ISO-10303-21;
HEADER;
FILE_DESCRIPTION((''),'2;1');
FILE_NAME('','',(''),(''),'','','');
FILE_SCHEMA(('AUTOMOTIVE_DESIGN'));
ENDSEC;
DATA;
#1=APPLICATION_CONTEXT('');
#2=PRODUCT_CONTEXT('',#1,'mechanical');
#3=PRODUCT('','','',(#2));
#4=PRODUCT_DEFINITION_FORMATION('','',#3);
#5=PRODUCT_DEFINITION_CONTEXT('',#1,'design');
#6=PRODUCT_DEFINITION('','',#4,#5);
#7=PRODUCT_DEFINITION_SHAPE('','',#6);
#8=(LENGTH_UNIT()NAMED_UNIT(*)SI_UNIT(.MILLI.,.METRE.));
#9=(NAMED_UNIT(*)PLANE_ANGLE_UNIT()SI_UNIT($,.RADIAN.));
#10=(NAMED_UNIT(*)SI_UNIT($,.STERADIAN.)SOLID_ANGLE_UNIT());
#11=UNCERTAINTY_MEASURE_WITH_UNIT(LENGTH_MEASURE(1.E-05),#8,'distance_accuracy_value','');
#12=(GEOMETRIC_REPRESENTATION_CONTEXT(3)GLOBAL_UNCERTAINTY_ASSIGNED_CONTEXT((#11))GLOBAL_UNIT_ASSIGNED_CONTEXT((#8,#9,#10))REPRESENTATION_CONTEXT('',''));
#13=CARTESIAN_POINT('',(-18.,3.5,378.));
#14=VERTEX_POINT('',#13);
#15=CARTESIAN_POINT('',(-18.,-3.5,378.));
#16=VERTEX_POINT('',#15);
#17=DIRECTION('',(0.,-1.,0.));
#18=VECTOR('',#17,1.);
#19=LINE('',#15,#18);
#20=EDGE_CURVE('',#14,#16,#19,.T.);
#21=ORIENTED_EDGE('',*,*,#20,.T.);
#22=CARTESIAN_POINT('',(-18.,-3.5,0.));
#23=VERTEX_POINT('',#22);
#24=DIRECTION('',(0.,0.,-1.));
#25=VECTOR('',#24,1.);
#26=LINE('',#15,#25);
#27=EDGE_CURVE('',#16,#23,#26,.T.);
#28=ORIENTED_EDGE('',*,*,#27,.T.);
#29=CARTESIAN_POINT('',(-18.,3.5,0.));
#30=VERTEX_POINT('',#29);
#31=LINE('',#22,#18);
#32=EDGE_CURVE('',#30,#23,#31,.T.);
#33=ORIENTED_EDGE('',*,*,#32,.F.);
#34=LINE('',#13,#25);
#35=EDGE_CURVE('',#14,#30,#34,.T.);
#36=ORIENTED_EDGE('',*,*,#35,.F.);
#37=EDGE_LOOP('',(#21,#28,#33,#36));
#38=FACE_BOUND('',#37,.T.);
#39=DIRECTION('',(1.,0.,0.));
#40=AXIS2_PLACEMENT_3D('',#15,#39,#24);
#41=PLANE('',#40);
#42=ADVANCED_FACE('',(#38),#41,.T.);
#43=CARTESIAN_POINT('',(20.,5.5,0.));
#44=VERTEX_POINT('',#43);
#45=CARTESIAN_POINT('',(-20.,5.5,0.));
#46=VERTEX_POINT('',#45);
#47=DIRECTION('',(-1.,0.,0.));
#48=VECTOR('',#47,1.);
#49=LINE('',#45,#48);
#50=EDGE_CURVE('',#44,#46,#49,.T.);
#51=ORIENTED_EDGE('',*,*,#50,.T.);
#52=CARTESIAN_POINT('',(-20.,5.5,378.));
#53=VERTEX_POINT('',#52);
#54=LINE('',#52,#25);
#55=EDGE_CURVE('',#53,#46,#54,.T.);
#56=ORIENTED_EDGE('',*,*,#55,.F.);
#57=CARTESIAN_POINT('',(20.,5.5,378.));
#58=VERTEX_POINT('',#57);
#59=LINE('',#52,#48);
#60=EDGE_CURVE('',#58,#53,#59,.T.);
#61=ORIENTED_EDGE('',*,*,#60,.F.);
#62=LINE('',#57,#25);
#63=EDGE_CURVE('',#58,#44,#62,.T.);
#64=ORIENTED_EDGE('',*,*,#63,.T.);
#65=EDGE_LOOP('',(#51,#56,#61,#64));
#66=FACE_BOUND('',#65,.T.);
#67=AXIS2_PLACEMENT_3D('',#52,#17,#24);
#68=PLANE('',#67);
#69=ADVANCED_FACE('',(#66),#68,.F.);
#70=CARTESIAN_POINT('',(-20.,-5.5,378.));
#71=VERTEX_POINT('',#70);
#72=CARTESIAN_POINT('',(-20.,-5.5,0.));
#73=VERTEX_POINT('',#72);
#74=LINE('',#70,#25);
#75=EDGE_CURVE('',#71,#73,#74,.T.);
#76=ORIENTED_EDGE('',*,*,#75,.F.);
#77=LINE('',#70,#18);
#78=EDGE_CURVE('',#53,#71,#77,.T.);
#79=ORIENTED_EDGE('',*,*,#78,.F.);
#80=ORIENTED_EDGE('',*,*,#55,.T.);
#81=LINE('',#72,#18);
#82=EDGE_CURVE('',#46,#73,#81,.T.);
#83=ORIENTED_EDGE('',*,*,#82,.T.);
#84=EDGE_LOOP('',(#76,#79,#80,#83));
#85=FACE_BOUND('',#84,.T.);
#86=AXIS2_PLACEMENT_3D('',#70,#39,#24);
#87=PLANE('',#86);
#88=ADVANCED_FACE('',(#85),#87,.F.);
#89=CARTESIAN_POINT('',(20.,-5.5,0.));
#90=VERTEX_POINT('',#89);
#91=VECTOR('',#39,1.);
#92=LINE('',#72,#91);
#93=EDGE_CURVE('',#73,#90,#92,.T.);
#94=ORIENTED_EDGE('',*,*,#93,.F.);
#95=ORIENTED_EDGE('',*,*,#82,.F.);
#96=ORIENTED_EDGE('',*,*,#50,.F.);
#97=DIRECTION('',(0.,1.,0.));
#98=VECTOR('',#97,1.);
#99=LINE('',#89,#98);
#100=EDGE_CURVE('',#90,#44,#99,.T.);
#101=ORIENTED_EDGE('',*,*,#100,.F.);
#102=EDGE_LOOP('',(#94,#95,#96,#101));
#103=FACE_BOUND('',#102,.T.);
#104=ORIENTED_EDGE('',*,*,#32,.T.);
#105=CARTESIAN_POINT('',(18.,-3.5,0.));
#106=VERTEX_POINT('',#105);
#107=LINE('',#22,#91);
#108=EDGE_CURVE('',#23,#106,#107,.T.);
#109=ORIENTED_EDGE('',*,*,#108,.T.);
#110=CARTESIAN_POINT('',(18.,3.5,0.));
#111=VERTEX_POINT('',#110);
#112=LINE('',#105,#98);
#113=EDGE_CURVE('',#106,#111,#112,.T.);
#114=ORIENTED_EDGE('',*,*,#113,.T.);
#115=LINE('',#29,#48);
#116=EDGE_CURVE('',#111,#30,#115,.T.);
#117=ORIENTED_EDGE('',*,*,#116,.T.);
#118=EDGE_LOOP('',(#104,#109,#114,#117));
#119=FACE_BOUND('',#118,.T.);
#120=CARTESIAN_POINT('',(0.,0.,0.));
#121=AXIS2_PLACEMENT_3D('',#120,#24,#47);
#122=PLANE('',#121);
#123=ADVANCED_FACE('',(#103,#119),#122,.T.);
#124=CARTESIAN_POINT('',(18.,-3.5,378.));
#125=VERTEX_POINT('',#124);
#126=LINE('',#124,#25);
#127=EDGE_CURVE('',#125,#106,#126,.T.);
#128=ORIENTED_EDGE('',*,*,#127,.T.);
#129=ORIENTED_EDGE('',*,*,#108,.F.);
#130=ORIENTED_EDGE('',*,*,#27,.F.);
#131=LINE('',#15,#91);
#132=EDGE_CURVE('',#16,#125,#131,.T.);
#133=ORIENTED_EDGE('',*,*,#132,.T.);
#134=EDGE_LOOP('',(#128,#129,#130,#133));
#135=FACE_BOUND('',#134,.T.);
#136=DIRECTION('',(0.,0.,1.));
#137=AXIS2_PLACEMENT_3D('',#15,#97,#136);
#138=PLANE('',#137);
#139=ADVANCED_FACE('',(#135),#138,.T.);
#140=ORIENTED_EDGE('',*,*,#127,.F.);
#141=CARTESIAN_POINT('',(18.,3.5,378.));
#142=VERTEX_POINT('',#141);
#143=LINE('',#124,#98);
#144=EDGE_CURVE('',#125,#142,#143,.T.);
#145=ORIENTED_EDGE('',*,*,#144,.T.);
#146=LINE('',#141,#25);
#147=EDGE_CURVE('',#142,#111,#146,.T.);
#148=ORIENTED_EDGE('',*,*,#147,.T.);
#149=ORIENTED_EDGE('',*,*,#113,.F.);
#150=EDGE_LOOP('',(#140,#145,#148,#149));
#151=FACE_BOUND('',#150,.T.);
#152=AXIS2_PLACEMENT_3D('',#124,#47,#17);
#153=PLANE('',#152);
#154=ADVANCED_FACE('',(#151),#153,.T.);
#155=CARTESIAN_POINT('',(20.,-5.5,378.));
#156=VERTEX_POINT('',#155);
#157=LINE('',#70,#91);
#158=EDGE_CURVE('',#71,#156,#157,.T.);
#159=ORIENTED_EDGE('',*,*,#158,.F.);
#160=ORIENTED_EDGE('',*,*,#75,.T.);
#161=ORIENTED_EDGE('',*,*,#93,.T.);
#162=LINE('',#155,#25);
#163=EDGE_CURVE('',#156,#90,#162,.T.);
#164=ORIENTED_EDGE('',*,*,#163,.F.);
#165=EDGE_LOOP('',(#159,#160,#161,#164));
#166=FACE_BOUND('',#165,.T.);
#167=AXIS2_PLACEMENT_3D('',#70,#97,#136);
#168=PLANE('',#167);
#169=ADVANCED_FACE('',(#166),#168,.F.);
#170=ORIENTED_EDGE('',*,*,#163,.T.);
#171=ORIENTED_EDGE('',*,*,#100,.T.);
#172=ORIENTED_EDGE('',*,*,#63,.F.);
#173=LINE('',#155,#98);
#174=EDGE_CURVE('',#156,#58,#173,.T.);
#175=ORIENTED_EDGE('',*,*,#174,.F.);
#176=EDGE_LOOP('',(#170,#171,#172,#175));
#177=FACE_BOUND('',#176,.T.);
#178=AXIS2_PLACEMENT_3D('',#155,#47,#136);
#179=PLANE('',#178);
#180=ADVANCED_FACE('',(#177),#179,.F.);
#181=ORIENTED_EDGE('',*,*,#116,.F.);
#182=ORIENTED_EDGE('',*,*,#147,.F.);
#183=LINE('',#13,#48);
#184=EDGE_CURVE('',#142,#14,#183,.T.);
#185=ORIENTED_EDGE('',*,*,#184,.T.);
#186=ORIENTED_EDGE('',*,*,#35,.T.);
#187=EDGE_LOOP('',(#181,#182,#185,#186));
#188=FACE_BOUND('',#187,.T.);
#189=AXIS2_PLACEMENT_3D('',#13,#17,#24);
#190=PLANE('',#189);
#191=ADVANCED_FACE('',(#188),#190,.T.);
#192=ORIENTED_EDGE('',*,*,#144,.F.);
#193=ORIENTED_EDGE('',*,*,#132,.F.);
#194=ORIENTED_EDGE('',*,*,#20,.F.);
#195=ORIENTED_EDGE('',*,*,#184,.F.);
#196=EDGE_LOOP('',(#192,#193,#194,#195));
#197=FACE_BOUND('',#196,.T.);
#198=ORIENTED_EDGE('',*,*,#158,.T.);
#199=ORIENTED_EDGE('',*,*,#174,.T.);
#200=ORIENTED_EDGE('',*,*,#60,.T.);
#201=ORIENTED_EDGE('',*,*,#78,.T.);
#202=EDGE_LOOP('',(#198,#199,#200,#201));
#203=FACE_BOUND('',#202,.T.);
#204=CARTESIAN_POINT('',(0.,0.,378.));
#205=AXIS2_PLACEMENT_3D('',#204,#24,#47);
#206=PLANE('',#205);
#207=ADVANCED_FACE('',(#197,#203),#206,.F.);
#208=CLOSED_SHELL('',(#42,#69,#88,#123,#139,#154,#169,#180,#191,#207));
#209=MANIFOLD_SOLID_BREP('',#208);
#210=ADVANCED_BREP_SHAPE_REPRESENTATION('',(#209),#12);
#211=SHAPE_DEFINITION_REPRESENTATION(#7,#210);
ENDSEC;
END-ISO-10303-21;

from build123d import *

# Parameters (mm, degrees)
SKETCH1_W           = 40
SKETCH1_H           = 11
SKETCH1_W_2         = 36
SKETCH1_H_2         = 7
BOSS_EXTRUDE1_DEPTH = 378


with BuildPart() as part:
    # Sketch1 → Boss-Extrude1 (new body)
    with BuildSketch(Plane.XY):
        Rectangle(SKETCH1_W, SKETCH1_H)
        Rectangle(SKETCH1_W_2, SKETCH1_H_2, mode=Mode.SUBTRACT)
    extrude(amount=BOSS_EXTRUDE1_DEPTH)


solid = part.part
